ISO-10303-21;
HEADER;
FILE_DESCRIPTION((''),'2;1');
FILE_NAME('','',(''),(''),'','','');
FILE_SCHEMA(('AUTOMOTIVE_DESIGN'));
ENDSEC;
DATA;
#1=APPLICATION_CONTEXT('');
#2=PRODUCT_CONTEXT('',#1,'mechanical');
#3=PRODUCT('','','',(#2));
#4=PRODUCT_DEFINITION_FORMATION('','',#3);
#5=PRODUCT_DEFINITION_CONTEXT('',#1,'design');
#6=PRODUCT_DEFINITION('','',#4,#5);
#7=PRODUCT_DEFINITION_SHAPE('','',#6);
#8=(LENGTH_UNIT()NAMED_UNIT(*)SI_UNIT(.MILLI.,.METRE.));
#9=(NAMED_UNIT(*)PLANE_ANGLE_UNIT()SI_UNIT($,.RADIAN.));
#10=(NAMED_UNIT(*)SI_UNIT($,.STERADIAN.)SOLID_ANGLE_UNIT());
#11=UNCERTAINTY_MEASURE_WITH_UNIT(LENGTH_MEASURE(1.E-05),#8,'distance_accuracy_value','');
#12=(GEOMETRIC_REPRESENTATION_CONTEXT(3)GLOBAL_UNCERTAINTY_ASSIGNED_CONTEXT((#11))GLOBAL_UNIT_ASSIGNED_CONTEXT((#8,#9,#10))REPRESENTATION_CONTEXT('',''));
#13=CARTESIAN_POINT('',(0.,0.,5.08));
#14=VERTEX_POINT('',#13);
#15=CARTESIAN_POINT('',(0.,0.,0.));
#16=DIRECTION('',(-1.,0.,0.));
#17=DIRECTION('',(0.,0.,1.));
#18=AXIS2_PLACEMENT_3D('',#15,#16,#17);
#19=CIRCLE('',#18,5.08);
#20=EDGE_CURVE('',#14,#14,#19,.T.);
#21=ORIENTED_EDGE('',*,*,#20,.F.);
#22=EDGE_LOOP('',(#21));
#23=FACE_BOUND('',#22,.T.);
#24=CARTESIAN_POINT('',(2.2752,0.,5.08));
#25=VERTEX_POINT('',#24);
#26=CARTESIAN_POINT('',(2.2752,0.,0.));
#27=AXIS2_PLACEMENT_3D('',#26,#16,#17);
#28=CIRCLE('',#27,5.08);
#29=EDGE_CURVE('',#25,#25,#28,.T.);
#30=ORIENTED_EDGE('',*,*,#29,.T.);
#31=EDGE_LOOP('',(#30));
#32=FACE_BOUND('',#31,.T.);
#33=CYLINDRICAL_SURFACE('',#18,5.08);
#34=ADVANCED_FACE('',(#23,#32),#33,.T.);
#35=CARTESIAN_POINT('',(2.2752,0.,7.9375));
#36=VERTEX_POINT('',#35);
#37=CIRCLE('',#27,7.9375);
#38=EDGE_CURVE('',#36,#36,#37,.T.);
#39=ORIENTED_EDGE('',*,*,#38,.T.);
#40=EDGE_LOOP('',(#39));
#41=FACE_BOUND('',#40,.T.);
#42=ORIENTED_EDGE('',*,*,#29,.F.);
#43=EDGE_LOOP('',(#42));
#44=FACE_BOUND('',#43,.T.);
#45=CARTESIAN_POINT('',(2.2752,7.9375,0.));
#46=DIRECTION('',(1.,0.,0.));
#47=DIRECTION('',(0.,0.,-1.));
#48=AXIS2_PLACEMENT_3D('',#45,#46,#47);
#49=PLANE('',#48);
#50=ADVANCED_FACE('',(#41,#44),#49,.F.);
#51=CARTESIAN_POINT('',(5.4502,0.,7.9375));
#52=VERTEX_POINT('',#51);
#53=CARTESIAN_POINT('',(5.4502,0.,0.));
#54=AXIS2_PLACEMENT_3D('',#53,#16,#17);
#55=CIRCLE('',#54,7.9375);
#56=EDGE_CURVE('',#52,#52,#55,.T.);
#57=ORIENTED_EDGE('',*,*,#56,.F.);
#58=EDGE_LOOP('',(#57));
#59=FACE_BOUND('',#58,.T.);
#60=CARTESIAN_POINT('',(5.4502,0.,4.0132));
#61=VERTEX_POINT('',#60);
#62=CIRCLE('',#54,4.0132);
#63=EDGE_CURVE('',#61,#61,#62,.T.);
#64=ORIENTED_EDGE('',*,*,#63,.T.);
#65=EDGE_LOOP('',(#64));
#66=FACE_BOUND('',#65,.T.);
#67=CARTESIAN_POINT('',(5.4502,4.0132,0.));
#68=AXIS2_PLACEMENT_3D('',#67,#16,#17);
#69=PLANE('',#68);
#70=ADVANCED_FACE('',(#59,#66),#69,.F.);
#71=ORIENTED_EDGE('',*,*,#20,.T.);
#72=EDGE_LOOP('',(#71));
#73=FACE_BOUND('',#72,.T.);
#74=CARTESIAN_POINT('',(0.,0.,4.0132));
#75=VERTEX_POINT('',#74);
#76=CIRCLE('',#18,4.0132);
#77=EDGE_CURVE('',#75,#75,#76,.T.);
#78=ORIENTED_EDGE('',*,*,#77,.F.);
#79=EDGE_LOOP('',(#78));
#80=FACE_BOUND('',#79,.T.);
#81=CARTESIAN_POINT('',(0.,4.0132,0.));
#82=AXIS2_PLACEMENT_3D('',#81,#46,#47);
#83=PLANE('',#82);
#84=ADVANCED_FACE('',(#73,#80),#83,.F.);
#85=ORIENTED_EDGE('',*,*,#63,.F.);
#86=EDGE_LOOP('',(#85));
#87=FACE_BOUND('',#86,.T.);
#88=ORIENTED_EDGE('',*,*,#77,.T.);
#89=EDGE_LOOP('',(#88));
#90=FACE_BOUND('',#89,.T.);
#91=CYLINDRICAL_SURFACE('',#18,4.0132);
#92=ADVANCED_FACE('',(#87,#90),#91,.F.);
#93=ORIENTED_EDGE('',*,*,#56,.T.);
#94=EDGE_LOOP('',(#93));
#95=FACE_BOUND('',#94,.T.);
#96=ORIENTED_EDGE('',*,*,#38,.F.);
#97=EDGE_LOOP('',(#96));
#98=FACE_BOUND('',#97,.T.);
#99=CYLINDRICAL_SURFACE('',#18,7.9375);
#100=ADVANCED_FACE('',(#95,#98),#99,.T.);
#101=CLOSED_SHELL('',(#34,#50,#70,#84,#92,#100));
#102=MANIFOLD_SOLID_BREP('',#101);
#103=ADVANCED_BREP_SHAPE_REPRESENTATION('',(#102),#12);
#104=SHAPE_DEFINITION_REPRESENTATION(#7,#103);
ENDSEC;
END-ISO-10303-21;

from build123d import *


with BuildPart() as part:
    # Sketch2 → Revolve1 (revolve)
    with BuildSketch(Plane.XY, mode=Mode.PRIVATE) as revolve1_sk:
        Polygon((2.2752, 7.9375), (2.2752, 5.08), (0, 5.08), (0, 4.0132), (5.4502, 4.0132), (5.4502, 7.9375), align=None)
    revolve(revolve1_sk.sketch.rotate(Axis((0, 0, 0), (1, 0, 0)), 90), axis=Axis((0, 0, 0), (1, 0, 0)))


solid = part.part
